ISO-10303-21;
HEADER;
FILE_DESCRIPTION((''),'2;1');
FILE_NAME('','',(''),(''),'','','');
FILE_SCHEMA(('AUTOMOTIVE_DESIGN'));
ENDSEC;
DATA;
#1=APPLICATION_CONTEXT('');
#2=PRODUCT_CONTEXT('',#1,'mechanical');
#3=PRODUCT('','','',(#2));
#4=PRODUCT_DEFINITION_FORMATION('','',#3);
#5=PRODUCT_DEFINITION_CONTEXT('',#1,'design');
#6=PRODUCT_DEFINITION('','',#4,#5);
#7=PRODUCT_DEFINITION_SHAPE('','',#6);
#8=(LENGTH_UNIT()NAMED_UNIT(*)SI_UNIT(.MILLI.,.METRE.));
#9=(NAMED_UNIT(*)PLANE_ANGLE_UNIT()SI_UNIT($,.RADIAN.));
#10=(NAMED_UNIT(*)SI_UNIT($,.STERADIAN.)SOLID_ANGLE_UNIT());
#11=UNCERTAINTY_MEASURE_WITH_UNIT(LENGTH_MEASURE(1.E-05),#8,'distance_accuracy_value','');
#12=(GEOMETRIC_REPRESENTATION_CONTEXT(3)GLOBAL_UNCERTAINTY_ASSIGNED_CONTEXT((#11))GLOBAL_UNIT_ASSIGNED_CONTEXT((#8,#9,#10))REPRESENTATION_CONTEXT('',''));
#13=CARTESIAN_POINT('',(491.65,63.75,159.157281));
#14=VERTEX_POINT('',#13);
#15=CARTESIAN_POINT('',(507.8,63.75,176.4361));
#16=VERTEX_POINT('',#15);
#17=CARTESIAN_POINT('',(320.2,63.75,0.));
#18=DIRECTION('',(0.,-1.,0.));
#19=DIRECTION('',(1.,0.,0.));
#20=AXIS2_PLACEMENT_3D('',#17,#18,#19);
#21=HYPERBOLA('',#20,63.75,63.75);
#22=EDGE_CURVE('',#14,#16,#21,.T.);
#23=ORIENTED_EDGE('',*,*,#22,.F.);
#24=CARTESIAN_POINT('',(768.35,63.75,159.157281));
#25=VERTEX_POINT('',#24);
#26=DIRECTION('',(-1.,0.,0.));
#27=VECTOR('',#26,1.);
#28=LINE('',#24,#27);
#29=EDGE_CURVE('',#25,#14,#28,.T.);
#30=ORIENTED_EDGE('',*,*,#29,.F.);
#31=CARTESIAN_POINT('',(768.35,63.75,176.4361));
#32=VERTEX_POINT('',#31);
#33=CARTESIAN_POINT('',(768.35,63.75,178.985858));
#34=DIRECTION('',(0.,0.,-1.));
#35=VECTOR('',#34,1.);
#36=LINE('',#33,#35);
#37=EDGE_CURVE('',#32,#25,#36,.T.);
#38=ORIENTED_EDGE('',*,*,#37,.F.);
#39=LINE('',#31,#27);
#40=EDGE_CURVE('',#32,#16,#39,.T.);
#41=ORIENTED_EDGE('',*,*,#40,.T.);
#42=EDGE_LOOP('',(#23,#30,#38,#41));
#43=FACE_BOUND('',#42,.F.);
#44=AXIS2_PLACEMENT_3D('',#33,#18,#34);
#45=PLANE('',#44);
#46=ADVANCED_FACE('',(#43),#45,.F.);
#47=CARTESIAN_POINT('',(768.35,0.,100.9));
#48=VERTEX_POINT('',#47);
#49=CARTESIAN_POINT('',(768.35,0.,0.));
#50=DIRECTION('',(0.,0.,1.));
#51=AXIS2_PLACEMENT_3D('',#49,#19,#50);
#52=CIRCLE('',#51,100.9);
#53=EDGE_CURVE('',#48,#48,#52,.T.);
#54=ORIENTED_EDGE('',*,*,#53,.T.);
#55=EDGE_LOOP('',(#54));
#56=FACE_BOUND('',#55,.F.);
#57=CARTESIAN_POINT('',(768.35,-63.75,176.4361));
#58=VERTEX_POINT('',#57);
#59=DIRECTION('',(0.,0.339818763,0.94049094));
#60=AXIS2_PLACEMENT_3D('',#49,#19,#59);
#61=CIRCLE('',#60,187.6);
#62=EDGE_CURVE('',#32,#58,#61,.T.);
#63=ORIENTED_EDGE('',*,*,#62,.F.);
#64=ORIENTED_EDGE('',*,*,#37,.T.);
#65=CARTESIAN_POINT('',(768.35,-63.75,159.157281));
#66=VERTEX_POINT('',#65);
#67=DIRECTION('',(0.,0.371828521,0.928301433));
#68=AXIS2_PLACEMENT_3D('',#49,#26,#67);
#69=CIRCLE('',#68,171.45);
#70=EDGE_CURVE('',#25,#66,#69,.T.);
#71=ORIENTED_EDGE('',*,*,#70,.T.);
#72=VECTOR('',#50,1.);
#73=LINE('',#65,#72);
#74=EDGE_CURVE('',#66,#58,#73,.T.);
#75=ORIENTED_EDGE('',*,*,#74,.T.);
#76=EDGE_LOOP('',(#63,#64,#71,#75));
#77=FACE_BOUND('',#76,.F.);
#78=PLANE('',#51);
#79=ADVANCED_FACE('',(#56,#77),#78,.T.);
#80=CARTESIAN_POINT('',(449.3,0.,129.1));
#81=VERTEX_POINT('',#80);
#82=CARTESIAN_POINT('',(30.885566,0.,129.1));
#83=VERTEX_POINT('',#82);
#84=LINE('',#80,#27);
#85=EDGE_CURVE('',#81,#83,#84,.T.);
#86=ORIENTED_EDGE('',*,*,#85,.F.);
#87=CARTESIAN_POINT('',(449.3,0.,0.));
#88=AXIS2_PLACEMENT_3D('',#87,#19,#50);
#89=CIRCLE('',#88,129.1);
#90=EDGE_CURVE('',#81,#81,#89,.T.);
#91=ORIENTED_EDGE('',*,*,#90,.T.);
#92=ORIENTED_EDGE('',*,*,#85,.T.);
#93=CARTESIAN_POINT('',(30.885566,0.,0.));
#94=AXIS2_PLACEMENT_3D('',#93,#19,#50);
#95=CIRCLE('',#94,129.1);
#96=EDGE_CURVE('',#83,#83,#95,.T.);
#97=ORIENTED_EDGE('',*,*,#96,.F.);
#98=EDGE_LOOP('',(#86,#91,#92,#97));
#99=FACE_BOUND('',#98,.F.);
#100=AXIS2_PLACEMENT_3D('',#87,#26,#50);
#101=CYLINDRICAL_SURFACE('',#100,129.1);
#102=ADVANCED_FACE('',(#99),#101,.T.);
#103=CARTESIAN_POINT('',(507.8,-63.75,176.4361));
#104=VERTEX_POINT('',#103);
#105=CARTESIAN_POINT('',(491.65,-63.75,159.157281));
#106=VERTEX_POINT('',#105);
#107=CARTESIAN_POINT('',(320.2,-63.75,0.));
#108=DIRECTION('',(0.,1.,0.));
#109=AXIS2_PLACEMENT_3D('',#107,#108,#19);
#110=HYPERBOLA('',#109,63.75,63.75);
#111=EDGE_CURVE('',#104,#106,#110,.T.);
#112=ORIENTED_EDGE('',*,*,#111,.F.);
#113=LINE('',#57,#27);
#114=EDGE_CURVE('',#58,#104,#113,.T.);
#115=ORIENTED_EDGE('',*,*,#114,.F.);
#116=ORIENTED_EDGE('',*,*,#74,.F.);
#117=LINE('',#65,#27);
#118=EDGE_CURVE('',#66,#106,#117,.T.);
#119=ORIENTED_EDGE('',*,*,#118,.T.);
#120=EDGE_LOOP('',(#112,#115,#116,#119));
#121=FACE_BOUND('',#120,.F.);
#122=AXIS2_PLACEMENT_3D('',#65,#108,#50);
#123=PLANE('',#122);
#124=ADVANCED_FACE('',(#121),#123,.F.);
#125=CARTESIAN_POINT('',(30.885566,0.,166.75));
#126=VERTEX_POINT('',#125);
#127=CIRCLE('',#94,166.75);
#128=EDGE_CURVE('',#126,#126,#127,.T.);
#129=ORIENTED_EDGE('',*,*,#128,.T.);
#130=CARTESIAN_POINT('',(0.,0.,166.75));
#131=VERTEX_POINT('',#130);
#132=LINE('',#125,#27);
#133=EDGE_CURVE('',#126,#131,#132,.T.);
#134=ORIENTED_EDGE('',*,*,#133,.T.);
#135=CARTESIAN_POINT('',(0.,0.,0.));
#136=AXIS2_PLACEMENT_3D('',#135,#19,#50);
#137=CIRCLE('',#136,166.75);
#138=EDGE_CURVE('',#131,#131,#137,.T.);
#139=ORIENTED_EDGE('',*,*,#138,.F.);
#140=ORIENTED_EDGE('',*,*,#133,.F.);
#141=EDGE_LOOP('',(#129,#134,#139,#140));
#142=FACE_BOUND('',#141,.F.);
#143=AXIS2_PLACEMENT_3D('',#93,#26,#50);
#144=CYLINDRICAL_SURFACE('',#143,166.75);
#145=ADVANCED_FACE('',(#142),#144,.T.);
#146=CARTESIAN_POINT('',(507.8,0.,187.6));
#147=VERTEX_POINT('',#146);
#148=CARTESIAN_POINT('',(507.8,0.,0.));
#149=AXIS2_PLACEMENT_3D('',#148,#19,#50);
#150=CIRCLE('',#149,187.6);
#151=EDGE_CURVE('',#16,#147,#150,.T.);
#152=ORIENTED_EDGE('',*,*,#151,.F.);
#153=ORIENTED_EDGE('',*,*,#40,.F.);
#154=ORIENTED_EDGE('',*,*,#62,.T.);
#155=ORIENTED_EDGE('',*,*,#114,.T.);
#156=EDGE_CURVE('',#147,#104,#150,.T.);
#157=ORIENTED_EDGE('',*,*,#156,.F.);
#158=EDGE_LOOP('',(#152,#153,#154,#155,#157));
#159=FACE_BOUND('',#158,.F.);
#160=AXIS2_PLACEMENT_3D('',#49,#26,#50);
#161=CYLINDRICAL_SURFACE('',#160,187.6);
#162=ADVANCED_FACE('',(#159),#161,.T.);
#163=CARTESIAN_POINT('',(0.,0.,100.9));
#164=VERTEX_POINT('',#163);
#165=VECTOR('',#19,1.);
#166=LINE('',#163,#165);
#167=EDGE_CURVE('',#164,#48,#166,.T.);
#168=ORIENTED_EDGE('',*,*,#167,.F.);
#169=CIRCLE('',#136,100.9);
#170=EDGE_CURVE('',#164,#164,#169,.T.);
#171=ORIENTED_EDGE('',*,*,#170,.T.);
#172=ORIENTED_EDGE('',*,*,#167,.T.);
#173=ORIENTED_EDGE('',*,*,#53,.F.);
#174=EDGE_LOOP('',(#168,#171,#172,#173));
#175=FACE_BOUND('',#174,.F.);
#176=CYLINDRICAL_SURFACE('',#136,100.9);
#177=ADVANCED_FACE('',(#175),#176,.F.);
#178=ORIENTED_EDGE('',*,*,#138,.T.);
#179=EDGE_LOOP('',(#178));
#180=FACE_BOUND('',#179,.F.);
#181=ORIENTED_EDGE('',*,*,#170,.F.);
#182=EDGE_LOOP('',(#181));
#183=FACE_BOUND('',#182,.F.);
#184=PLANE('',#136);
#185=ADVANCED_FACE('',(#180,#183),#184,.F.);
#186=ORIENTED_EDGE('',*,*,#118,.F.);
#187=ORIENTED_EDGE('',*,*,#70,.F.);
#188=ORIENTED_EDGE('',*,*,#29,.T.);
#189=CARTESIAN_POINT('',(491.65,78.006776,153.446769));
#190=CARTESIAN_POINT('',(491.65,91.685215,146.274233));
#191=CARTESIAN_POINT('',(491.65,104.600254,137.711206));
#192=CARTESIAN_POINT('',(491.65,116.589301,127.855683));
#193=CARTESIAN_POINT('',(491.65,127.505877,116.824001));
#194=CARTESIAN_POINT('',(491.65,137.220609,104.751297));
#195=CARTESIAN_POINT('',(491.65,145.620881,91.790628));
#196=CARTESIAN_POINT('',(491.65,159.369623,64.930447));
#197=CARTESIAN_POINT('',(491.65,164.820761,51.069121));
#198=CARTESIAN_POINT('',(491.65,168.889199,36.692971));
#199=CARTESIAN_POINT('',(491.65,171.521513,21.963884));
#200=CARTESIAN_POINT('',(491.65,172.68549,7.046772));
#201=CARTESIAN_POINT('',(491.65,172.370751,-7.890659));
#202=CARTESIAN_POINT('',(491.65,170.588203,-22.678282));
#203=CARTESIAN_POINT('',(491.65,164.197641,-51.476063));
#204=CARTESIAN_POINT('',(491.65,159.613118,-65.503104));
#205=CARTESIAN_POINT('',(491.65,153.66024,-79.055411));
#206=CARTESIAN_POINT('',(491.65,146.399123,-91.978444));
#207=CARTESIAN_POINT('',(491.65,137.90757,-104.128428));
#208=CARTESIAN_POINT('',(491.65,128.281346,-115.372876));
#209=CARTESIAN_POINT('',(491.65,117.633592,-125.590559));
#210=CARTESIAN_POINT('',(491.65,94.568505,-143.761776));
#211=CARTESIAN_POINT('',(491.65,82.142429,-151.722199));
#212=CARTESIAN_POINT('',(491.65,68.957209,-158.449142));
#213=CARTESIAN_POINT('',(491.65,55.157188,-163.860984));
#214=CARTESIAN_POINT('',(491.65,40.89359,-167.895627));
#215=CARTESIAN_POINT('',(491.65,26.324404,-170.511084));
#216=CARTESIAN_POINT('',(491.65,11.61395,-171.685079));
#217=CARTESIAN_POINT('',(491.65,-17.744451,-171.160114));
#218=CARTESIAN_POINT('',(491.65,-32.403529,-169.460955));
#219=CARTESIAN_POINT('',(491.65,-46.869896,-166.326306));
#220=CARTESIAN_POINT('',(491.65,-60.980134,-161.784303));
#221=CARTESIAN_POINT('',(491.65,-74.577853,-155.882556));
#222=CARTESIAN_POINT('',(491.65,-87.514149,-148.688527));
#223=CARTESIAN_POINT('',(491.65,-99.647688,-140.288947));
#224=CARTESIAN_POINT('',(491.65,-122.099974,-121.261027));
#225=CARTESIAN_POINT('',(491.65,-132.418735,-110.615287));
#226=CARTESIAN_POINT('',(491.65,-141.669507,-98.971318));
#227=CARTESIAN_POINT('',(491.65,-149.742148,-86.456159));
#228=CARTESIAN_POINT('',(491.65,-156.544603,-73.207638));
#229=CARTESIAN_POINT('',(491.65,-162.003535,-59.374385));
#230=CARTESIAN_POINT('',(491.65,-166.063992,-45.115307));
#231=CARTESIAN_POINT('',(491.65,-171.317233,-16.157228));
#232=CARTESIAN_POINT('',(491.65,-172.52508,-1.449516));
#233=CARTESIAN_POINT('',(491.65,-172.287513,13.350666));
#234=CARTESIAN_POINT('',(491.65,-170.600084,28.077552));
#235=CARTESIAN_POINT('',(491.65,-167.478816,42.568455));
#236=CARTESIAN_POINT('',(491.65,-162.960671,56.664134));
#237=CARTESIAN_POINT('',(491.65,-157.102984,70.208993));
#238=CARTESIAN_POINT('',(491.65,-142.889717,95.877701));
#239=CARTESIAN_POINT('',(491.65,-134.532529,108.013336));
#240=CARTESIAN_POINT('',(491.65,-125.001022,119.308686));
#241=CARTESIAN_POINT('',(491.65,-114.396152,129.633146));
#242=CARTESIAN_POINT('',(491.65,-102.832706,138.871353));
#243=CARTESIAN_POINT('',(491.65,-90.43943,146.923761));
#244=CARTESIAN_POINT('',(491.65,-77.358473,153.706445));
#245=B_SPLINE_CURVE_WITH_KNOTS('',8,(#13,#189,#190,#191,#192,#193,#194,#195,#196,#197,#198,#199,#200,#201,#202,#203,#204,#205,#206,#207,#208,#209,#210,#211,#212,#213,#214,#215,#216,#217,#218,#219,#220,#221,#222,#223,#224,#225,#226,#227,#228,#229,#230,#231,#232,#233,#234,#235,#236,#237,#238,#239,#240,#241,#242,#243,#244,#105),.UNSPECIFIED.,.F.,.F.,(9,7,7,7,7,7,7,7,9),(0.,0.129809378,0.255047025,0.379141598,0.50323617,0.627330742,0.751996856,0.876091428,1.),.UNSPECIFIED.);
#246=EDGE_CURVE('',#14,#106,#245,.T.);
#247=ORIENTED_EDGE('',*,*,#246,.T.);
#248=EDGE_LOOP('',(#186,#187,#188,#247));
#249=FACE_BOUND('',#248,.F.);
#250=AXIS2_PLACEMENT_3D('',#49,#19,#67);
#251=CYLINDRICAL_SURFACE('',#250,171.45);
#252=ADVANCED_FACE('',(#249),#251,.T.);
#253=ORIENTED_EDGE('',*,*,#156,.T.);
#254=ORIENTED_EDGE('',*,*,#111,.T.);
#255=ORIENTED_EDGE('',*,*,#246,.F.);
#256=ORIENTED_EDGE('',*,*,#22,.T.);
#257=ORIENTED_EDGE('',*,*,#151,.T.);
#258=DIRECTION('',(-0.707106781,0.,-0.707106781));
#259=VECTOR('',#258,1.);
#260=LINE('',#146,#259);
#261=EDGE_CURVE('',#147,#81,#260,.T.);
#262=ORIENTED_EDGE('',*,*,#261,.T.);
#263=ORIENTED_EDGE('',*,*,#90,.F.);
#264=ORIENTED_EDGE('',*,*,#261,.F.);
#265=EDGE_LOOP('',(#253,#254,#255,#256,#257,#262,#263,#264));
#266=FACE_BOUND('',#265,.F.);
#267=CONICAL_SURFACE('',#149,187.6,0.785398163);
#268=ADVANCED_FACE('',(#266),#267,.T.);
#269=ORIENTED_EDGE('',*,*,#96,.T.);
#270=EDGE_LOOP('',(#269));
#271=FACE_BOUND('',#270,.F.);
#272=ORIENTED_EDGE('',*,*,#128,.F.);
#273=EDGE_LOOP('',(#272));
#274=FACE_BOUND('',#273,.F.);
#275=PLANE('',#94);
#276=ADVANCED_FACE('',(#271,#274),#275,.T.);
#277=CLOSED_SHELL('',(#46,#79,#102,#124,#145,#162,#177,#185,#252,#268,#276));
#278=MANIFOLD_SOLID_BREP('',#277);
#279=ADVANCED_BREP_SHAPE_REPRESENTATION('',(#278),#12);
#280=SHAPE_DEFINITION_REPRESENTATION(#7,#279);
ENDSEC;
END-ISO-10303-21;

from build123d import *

# Parameters (mm, degrees)
F2_R     = 205.006654
F3_DEPTH = 350


with BuildPart() as f1:
    # F0 (on Front) → F1 (revolve)
    with BuildSketch(Plane.XZ):
        Polygon((30.885566, 166.75), (0, 166.75), (0, 100.9), (768.35, 100.9), (768.35, 187.6), (507.8, 187.6), (449.3, 129.1), (30.885566, 129.1), align=None)
    revolve(axis=Axis((384.175, 0, 0), (1, 0, 0)))

    # F2 (on face) → F3 (cut)
    with BuildSketch(Plane.YZ.offset(768.35)):
        Circle(F2_R)
        with BuildLine():
            ThreePointArc((187.6, 0), (-107.782791, -153.546833), (-63.75, 176.4361))
            Line((-63.75, 176.4361), (-63.75, 178.985858))
            ThreePointArc((-63.75, 178.985858), (0, 190), (63.75, 178.985858))
            Line((63.75, 178.985858), (63.75, 176.4361))
            ThreePointArc((63.75, 176.4361), (153.546833, 107.782791), (187.6, 0))
        make_face(mode=Mode.SUBTRACT)
        with BuildLine():
            ThreePointArc((63.75, 159.157281), (0, -171.45), (-63.75, 159.157281))
            Line((-63.75, 159.157281), (-63.75, 176.4361))
            ThreePointArc((-63.75, 176.4361), (-107.782791, -153.546833), (187.6, 0))
            ThreePointArc((187.6, 0), (153.546833, 107.782791), (63.75, 176.4361))
            Line((63.75, 176.4361), (63.75, 159.157281))
        make_face()
    extrude(amount=-F3_DEPTH, mode=Mode.SUBTRACT)


solid = f1.part
